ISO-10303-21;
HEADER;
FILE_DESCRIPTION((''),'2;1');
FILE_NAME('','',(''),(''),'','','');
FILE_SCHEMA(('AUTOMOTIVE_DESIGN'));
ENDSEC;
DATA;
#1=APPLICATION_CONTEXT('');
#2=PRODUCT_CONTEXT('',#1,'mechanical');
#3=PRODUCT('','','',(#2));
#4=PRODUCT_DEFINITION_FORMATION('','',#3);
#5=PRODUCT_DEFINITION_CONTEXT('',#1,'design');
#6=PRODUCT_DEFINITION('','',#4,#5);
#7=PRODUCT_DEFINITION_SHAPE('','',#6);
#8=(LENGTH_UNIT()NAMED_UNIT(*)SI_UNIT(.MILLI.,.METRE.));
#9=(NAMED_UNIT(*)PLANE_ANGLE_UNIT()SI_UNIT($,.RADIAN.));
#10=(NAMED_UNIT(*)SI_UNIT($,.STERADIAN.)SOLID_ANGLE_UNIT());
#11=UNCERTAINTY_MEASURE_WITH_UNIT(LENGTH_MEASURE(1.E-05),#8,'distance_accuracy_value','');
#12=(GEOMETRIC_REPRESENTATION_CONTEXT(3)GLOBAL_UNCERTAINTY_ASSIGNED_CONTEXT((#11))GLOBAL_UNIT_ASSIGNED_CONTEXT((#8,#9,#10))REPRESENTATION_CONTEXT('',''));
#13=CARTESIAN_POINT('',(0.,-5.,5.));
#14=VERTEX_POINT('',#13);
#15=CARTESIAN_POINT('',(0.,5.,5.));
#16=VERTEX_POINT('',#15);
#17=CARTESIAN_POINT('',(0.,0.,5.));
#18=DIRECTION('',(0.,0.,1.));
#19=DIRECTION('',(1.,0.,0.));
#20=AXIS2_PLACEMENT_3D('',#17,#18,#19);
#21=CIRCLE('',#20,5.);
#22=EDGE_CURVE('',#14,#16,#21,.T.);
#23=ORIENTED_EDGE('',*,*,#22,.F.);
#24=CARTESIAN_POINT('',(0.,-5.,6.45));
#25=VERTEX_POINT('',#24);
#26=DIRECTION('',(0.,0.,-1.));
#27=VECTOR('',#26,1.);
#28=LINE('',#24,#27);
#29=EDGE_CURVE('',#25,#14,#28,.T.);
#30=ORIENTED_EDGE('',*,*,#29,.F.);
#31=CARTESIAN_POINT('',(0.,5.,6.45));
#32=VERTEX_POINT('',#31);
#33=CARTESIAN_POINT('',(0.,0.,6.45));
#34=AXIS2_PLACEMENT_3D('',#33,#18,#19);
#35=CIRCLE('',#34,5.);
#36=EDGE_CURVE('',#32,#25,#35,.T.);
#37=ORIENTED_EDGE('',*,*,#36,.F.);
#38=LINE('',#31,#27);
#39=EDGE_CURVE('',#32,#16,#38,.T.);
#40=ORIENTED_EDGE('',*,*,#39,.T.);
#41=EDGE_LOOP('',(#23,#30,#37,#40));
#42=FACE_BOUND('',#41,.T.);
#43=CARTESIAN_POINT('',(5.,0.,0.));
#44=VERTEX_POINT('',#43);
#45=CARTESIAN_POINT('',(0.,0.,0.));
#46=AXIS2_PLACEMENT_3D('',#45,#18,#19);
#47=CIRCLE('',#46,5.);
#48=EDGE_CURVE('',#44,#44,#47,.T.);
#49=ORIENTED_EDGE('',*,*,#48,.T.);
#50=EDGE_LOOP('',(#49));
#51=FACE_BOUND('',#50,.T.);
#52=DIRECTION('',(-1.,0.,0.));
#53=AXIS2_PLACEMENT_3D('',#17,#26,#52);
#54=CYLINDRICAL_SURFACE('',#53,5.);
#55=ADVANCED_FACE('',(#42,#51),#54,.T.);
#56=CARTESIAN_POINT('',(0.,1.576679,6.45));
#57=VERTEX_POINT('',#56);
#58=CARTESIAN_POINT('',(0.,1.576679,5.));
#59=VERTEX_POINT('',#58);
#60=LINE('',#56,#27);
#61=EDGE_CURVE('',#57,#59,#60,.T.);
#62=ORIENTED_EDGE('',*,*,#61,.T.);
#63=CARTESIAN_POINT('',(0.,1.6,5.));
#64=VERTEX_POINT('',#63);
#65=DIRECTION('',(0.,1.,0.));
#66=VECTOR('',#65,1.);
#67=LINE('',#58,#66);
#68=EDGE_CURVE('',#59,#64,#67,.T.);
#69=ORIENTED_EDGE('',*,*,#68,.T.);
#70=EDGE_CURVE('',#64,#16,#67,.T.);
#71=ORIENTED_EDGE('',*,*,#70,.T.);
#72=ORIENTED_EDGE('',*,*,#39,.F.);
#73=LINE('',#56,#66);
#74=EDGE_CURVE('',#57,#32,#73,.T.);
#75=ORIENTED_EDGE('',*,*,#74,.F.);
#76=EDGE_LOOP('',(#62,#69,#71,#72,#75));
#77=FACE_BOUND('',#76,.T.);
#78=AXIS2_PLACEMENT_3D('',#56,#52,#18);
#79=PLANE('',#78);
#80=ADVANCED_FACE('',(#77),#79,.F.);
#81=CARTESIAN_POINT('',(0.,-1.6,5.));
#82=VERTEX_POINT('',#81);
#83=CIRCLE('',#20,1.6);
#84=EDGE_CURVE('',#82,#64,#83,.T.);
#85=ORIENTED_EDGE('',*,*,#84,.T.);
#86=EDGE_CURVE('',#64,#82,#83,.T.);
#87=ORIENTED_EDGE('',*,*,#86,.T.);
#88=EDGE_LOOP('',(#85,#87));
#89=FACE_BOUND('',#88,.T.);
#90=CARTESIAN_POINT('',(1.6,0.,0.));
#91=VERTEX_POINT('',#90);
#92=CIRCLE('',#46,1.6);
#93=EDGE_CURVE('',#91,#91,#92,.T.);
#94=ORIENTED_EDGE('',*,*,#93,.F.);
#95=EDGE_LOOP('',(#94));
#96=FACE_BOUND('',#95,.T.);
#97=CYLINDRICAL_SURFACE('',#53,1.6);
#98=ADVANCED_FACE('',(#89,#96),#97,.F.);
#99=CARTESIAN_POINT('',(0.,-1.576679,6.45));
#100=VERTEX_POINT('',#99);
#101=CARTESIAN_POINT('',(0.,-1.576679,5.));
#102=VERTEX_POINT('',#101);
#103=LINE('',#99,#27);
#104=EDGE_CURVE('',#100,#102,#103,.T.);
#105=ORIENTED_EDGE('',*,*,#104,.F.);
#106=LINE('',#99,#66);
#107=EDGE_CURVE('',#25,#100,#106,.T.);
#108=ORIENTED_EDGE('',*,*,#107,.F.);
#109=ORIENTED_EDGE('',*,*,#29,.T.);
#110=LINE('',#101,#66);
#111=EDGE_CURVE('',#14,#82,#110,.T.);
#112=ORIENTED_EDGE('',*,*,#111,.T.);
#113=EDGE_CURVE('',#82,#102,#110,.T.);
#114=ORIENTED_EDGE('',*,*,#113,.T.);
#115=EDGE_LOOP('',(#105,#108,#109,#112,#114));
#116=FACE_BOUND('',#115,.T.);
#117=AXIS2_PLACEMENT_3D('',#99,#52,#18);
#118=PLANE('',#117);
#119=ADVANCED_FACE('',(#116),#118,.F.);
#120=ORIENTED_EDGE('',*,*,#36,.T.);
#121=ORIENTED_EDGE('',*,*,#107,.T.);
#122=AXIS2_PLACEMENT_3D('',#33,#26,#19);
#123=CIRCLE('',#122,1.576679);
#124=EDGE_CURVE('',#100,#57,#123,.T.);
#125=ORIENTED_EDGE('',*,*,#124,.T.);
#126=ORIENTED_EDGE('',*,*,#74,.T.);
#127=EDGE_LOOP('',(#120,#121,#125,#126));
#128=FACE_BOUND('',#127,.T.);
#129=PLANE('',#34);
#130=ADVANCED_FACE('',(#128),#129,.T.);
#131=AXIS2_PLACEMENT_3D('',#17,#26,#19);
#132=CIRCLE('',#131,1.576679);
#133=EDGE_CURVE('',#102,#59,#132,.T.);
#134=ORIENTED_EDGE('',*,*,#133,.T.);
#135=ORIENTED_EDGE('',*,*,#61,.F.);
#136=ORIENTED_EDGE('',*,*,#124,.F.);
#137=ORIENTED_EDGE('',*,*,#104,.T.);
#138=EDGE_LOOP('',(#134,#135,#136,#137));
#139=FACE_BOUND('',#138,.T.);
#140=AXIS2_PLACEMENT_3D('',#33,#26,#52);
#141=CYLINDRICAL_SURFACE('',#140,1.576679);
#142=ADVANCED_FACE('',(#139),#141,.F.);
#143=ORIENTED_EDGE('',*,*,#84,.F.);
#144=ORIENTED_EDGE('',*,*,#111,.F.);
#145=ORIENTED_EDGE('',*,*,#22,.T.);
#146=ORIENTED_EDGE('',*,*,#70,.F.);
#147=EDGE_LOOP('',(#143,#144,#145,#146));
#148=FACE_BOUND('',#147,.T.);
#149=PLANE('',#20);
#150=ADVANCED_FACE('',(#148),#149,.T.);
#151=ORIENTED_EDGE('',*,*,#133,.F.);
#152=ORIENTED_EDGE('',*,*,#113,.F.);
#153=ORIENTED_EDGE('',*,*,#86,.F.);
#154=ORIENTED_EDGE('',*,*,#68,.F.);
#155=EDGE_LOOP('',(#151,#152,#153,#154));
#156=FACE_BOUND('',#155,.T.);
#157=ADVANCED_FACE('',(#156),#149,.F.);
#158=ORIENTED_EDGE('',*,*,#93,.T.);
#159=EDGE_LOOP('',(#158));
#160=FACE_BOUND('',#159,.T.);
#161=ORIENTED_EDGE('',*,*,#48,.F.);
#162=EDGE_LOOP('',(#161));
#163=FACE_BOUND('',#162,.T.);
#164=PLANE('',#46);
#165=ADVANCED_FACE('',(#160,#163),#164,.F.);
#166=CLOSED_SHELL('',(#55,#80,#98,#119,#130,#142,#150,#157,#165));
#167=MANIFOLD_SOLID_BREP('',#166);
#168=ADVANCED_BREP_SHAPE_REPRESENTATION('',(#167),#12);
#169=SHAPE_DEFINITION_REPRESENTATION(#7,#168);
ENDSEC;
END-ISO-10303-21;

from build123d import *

# Parameters (mm, degrees)
SKETCH2_R           = 5
SKETCH2_R_2         = 1.6
BOSS_EXTRUDE1_DEPTH = 5
BOSS_EXTRUDE2_DEPTH = 1.45


with BuildPart() as part:
    # Sketch2 → Boss-Extrude1 (new body)
    with BuildSketch(Plane.XY):
        Circle(SKETCH2_R)
        Circle(SKETCH2_R_2, mode=Mode.SUBTRACT)
    extrude(amount=BOSS_EXTRUDE1_DEPTH)

    # Sketch3 → Boss-Extrude2 (add)
    with BuildSketch(Plane.XY.offset(5)):
        with BuildLine():
            Line((0, 1.576678565), (0, 5))
            ThreePointArc((0, 5), (-5, 0), (0, -5))
            Line((0, -5), (0, -1.576678565))
            ThreePointArc((0, -1.576678565), (-1.576678565, 0), (0, 1.576678565))
        make_face()
    extrude(amount=BOSS_EXTRUDE2_DEPTH)


solid = part.part
